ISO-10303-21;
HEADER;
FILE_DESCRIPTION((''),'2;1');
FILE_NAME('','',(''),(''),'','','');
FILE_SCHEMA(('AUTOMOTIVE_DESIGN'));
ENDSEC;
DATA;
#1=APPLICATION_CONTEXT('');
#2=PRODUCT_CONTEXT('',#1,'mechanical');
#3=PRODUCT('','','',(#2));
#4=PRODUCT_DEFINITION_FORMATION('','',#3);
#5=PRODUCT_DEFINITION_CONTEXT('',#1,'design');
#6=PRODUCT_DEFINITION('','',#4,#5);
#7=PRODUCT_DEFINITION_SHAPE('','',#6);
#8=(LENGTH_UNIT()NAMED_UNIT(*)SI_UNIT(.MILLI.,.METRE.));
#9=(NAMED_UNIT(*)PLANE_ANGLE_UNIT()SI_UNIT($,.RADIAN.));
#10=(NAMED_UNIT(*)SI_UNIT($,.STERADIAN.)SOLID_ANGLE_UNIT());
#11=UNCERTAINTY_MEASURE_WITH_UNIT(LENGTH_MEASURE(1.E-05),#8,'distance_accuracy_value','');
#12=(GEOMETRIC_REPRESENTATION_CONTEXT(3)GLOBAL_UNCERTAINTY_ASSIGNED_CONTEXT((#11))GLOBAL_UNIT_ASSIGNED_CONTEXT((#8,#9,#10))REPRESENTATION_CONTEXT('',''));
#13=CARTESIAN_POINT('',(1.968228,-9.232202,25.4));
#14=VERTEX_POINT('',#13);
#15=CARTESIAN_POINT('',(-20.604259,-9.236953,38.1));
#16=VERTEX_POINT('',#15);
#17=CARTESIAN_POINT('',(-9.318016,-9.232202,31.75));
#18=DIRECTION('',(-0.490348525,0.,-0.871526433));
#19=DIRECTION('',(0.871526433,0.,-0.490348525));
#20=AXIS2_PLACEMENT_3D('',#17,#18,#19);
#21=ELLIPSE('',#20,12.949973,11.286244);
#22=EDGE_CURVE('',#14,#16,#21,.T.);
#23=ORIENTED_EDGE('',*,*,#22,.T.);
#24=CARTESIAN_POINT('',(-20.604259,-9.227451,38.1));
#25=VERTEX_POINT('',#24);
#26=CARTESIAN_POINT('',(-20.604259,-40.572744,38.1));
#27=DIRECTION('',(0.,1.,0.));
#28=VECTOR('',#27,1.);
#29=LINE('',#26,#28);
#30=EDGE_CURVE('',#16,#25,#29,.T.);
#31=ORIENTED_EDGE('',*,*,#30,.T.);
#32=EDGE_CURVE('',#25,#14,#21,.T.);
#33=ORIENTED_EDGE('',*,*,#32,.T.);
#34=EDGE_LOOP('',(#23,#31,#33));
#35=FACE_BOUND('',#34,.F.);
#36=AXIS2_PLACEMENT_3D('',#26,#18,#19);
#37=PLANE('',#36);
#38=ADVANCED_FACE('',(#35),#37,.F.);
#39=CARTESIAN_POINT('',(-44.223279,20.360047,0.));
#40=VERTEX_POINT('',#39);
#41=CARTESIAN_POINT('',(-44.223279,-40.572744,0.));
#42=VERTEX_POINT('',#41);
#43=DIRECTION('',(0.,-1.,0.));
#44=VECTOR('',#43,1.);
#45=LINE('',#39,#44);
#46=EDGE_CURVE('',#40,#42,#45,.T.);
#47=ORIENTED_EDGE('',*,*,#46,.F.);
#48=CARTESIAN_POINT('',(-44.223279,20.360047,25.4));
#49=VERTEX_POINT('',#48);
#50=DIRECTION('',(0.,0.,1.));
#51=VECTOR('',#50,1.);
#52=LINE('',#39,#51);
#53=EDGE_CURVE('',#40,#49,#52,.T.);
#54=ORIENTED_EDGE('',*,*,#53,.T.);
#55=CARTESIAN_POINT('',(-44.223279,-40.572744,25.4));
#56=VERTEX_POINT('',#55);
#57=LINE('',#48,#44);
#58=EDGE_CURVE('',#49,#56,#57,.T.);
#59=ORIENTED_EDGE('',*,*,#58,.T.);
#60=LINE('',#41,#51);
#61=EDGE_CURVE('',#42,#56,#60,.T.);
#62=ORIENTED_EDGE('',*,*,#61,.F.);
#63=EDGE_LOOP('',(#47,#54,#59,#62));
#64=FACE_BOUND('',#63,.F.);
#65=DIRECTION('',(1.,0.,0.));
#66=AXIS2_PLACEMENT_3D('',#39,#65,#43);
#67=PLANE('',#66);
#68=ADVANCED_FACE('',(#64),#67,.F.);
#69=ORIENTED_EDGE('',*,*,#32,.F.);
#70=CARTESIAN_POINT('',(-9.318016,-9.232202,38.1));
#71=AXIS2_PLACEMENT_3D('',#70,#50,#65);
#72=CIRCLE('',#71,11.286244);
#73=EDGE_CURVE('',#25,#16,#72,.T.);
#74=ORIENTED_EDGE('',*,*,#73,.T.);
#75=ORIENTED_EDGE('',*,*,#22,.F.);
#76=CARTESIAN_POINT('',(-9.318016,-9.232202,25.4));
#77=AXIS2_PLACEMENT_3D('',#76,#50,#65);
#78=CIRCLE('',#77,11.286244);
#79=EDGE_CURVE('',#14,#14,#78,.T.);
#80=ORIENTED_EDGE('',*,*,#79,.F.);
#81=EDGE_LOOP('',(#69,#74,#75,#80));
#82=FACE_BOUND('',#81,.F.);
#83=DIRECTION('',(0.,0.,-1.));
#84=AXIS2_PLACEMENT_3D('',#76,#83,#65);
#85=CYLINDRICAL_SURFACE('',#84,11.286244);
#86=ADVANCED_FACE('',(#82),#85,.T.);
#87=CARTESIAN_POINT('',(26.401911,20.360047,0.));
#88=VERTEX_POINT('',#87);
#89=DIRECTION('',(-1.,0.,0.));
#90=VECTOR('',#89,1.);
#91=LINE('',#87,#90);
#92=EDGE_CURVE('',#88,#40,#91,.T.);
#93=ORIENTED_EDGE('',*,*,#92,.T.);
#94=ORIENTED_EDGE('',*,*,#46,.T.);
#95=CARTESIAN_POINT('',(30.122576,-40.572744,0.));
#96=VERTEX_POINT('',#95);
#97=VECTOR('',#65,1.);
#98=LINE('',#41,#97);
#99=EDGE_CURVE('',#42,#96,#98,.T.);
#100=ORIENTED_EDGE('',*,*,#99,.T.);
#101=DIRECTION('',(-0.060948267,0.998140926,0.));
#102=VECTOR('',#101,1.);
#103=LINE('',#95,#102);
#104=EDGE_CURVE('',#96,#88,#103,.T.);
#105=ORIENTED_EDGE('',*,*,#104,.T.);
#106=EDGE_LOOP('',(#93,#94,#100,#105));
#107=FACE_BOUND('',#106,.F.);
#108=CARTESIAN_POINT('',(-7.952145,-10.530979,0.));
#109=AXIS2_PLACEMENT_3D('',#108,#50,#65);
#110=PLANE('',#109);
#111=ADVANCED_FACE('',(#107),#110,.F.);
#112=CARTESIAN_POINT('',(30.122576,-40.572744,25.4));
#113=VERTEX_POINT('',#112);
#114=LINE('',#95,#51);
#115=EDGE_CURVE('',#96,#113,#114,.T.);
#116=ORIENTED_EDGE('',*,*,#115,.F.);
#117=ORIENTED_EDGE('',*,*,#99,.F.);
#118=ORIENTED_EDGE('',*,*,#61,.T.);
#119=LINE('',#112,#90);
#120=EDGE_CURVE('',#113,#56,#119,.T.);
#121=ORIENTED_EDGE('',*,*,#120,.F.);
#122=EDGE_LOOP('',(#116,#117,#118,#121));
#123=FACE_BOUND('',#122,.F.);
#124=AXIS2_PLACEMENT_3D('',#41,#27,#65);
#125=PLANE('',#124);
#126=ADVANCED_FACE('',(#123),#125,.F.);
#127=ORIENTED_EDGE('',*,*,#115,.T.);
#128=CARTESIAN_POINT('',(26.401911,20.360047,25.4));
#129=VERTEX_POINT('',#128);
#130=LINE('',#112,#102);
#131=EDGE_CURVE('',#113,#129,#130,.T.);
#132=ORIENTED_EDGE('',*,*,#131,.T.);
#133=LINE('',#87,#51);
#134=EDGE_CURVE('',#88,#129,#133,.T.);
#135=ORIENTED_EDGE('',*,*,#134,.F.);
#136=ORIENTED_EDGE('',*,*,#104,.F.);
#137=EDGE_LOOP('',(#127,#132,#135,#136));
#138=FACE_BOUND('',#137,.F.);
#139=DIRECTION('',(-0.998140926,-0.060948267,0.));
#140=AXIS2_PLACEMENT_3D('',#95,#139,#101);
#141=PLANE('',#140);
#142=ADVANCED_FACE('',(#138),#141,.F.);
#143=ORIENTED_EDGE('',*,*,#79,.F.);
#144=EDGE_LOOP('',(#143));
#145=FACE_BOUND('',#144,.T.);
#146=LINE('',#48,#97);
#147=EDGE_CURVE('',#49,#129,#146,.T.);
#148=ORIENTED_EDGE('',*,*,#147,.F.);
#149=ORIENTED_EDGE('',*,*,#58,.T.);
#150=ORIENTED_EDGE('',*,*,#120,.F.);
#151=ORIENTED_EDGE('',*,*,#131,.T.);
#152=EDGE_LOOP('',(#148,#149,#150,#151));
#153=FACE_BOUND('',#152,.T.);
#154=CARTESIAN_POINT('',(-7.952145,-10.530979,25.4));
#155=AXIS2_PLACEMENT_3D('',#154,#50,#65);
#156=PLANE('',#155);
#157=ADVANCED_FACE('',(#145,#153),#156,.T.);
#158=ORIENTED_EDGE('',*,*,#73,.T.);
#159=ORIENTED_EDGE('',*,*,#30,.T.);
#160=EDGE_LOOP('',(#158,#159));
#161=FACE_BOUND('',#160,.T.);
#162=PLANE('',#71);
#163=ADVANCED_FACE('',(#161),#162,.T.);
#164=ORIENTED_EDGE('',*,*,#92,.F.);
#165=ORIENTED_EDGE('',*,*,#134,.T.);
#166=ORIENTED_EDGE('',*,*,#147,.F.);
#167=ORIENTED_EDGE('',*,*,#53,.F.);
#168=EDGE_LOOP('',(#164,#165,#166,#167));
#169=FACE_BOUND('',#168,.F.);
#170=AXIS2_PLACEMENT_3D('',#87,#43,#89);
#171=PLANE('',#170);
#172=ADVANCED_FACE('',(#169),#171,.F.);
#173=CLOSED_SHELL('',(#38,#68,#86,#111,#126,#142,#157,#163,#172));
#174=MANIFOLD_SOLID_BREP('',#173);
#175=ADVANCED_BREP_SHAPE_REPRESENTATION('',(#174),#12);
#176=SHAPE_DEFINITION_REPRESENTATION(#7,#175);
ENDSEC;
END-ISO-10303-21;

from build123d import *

# Parameters (mm, degrees)
F1_DEPTH = 25.4
F2_R     = 11.286244
F3_DEPTH = 12.7
F5_DEPTH = 60.933791


with BuildPart() as f1:
    # F0 (on Top) → F1 (new body)
    with BuildSketch(Plane.XY):
        Polygon((-44.223279, 20.360047), (-44.223279, -40.572744), (30.122576, -40.572744), (26.401911, 20.360047), align=None)
    extrude(amount=F1_DEPTH)

    # F2 (on face) → F3 (join)
    with BuildSketch(Plane.XY.offset(25.4)):
        with Locations((-9.318016, -9.232202)):
            Circle(F2_R)
    extrude(amount=F3_DEPTH)

    # F4 (on face) → F5 (cut, through all)
    with BuildSketch(Plane.XZ.offset(40.572744)):
        Polygon((1.968228, 38.1), (-20.604259, 38.1), (1.968228, 25.4), align=None)
    extrude(amount=-F5_DEPTH, mode=Mode.SUBTRACT)


solid = f1.part
